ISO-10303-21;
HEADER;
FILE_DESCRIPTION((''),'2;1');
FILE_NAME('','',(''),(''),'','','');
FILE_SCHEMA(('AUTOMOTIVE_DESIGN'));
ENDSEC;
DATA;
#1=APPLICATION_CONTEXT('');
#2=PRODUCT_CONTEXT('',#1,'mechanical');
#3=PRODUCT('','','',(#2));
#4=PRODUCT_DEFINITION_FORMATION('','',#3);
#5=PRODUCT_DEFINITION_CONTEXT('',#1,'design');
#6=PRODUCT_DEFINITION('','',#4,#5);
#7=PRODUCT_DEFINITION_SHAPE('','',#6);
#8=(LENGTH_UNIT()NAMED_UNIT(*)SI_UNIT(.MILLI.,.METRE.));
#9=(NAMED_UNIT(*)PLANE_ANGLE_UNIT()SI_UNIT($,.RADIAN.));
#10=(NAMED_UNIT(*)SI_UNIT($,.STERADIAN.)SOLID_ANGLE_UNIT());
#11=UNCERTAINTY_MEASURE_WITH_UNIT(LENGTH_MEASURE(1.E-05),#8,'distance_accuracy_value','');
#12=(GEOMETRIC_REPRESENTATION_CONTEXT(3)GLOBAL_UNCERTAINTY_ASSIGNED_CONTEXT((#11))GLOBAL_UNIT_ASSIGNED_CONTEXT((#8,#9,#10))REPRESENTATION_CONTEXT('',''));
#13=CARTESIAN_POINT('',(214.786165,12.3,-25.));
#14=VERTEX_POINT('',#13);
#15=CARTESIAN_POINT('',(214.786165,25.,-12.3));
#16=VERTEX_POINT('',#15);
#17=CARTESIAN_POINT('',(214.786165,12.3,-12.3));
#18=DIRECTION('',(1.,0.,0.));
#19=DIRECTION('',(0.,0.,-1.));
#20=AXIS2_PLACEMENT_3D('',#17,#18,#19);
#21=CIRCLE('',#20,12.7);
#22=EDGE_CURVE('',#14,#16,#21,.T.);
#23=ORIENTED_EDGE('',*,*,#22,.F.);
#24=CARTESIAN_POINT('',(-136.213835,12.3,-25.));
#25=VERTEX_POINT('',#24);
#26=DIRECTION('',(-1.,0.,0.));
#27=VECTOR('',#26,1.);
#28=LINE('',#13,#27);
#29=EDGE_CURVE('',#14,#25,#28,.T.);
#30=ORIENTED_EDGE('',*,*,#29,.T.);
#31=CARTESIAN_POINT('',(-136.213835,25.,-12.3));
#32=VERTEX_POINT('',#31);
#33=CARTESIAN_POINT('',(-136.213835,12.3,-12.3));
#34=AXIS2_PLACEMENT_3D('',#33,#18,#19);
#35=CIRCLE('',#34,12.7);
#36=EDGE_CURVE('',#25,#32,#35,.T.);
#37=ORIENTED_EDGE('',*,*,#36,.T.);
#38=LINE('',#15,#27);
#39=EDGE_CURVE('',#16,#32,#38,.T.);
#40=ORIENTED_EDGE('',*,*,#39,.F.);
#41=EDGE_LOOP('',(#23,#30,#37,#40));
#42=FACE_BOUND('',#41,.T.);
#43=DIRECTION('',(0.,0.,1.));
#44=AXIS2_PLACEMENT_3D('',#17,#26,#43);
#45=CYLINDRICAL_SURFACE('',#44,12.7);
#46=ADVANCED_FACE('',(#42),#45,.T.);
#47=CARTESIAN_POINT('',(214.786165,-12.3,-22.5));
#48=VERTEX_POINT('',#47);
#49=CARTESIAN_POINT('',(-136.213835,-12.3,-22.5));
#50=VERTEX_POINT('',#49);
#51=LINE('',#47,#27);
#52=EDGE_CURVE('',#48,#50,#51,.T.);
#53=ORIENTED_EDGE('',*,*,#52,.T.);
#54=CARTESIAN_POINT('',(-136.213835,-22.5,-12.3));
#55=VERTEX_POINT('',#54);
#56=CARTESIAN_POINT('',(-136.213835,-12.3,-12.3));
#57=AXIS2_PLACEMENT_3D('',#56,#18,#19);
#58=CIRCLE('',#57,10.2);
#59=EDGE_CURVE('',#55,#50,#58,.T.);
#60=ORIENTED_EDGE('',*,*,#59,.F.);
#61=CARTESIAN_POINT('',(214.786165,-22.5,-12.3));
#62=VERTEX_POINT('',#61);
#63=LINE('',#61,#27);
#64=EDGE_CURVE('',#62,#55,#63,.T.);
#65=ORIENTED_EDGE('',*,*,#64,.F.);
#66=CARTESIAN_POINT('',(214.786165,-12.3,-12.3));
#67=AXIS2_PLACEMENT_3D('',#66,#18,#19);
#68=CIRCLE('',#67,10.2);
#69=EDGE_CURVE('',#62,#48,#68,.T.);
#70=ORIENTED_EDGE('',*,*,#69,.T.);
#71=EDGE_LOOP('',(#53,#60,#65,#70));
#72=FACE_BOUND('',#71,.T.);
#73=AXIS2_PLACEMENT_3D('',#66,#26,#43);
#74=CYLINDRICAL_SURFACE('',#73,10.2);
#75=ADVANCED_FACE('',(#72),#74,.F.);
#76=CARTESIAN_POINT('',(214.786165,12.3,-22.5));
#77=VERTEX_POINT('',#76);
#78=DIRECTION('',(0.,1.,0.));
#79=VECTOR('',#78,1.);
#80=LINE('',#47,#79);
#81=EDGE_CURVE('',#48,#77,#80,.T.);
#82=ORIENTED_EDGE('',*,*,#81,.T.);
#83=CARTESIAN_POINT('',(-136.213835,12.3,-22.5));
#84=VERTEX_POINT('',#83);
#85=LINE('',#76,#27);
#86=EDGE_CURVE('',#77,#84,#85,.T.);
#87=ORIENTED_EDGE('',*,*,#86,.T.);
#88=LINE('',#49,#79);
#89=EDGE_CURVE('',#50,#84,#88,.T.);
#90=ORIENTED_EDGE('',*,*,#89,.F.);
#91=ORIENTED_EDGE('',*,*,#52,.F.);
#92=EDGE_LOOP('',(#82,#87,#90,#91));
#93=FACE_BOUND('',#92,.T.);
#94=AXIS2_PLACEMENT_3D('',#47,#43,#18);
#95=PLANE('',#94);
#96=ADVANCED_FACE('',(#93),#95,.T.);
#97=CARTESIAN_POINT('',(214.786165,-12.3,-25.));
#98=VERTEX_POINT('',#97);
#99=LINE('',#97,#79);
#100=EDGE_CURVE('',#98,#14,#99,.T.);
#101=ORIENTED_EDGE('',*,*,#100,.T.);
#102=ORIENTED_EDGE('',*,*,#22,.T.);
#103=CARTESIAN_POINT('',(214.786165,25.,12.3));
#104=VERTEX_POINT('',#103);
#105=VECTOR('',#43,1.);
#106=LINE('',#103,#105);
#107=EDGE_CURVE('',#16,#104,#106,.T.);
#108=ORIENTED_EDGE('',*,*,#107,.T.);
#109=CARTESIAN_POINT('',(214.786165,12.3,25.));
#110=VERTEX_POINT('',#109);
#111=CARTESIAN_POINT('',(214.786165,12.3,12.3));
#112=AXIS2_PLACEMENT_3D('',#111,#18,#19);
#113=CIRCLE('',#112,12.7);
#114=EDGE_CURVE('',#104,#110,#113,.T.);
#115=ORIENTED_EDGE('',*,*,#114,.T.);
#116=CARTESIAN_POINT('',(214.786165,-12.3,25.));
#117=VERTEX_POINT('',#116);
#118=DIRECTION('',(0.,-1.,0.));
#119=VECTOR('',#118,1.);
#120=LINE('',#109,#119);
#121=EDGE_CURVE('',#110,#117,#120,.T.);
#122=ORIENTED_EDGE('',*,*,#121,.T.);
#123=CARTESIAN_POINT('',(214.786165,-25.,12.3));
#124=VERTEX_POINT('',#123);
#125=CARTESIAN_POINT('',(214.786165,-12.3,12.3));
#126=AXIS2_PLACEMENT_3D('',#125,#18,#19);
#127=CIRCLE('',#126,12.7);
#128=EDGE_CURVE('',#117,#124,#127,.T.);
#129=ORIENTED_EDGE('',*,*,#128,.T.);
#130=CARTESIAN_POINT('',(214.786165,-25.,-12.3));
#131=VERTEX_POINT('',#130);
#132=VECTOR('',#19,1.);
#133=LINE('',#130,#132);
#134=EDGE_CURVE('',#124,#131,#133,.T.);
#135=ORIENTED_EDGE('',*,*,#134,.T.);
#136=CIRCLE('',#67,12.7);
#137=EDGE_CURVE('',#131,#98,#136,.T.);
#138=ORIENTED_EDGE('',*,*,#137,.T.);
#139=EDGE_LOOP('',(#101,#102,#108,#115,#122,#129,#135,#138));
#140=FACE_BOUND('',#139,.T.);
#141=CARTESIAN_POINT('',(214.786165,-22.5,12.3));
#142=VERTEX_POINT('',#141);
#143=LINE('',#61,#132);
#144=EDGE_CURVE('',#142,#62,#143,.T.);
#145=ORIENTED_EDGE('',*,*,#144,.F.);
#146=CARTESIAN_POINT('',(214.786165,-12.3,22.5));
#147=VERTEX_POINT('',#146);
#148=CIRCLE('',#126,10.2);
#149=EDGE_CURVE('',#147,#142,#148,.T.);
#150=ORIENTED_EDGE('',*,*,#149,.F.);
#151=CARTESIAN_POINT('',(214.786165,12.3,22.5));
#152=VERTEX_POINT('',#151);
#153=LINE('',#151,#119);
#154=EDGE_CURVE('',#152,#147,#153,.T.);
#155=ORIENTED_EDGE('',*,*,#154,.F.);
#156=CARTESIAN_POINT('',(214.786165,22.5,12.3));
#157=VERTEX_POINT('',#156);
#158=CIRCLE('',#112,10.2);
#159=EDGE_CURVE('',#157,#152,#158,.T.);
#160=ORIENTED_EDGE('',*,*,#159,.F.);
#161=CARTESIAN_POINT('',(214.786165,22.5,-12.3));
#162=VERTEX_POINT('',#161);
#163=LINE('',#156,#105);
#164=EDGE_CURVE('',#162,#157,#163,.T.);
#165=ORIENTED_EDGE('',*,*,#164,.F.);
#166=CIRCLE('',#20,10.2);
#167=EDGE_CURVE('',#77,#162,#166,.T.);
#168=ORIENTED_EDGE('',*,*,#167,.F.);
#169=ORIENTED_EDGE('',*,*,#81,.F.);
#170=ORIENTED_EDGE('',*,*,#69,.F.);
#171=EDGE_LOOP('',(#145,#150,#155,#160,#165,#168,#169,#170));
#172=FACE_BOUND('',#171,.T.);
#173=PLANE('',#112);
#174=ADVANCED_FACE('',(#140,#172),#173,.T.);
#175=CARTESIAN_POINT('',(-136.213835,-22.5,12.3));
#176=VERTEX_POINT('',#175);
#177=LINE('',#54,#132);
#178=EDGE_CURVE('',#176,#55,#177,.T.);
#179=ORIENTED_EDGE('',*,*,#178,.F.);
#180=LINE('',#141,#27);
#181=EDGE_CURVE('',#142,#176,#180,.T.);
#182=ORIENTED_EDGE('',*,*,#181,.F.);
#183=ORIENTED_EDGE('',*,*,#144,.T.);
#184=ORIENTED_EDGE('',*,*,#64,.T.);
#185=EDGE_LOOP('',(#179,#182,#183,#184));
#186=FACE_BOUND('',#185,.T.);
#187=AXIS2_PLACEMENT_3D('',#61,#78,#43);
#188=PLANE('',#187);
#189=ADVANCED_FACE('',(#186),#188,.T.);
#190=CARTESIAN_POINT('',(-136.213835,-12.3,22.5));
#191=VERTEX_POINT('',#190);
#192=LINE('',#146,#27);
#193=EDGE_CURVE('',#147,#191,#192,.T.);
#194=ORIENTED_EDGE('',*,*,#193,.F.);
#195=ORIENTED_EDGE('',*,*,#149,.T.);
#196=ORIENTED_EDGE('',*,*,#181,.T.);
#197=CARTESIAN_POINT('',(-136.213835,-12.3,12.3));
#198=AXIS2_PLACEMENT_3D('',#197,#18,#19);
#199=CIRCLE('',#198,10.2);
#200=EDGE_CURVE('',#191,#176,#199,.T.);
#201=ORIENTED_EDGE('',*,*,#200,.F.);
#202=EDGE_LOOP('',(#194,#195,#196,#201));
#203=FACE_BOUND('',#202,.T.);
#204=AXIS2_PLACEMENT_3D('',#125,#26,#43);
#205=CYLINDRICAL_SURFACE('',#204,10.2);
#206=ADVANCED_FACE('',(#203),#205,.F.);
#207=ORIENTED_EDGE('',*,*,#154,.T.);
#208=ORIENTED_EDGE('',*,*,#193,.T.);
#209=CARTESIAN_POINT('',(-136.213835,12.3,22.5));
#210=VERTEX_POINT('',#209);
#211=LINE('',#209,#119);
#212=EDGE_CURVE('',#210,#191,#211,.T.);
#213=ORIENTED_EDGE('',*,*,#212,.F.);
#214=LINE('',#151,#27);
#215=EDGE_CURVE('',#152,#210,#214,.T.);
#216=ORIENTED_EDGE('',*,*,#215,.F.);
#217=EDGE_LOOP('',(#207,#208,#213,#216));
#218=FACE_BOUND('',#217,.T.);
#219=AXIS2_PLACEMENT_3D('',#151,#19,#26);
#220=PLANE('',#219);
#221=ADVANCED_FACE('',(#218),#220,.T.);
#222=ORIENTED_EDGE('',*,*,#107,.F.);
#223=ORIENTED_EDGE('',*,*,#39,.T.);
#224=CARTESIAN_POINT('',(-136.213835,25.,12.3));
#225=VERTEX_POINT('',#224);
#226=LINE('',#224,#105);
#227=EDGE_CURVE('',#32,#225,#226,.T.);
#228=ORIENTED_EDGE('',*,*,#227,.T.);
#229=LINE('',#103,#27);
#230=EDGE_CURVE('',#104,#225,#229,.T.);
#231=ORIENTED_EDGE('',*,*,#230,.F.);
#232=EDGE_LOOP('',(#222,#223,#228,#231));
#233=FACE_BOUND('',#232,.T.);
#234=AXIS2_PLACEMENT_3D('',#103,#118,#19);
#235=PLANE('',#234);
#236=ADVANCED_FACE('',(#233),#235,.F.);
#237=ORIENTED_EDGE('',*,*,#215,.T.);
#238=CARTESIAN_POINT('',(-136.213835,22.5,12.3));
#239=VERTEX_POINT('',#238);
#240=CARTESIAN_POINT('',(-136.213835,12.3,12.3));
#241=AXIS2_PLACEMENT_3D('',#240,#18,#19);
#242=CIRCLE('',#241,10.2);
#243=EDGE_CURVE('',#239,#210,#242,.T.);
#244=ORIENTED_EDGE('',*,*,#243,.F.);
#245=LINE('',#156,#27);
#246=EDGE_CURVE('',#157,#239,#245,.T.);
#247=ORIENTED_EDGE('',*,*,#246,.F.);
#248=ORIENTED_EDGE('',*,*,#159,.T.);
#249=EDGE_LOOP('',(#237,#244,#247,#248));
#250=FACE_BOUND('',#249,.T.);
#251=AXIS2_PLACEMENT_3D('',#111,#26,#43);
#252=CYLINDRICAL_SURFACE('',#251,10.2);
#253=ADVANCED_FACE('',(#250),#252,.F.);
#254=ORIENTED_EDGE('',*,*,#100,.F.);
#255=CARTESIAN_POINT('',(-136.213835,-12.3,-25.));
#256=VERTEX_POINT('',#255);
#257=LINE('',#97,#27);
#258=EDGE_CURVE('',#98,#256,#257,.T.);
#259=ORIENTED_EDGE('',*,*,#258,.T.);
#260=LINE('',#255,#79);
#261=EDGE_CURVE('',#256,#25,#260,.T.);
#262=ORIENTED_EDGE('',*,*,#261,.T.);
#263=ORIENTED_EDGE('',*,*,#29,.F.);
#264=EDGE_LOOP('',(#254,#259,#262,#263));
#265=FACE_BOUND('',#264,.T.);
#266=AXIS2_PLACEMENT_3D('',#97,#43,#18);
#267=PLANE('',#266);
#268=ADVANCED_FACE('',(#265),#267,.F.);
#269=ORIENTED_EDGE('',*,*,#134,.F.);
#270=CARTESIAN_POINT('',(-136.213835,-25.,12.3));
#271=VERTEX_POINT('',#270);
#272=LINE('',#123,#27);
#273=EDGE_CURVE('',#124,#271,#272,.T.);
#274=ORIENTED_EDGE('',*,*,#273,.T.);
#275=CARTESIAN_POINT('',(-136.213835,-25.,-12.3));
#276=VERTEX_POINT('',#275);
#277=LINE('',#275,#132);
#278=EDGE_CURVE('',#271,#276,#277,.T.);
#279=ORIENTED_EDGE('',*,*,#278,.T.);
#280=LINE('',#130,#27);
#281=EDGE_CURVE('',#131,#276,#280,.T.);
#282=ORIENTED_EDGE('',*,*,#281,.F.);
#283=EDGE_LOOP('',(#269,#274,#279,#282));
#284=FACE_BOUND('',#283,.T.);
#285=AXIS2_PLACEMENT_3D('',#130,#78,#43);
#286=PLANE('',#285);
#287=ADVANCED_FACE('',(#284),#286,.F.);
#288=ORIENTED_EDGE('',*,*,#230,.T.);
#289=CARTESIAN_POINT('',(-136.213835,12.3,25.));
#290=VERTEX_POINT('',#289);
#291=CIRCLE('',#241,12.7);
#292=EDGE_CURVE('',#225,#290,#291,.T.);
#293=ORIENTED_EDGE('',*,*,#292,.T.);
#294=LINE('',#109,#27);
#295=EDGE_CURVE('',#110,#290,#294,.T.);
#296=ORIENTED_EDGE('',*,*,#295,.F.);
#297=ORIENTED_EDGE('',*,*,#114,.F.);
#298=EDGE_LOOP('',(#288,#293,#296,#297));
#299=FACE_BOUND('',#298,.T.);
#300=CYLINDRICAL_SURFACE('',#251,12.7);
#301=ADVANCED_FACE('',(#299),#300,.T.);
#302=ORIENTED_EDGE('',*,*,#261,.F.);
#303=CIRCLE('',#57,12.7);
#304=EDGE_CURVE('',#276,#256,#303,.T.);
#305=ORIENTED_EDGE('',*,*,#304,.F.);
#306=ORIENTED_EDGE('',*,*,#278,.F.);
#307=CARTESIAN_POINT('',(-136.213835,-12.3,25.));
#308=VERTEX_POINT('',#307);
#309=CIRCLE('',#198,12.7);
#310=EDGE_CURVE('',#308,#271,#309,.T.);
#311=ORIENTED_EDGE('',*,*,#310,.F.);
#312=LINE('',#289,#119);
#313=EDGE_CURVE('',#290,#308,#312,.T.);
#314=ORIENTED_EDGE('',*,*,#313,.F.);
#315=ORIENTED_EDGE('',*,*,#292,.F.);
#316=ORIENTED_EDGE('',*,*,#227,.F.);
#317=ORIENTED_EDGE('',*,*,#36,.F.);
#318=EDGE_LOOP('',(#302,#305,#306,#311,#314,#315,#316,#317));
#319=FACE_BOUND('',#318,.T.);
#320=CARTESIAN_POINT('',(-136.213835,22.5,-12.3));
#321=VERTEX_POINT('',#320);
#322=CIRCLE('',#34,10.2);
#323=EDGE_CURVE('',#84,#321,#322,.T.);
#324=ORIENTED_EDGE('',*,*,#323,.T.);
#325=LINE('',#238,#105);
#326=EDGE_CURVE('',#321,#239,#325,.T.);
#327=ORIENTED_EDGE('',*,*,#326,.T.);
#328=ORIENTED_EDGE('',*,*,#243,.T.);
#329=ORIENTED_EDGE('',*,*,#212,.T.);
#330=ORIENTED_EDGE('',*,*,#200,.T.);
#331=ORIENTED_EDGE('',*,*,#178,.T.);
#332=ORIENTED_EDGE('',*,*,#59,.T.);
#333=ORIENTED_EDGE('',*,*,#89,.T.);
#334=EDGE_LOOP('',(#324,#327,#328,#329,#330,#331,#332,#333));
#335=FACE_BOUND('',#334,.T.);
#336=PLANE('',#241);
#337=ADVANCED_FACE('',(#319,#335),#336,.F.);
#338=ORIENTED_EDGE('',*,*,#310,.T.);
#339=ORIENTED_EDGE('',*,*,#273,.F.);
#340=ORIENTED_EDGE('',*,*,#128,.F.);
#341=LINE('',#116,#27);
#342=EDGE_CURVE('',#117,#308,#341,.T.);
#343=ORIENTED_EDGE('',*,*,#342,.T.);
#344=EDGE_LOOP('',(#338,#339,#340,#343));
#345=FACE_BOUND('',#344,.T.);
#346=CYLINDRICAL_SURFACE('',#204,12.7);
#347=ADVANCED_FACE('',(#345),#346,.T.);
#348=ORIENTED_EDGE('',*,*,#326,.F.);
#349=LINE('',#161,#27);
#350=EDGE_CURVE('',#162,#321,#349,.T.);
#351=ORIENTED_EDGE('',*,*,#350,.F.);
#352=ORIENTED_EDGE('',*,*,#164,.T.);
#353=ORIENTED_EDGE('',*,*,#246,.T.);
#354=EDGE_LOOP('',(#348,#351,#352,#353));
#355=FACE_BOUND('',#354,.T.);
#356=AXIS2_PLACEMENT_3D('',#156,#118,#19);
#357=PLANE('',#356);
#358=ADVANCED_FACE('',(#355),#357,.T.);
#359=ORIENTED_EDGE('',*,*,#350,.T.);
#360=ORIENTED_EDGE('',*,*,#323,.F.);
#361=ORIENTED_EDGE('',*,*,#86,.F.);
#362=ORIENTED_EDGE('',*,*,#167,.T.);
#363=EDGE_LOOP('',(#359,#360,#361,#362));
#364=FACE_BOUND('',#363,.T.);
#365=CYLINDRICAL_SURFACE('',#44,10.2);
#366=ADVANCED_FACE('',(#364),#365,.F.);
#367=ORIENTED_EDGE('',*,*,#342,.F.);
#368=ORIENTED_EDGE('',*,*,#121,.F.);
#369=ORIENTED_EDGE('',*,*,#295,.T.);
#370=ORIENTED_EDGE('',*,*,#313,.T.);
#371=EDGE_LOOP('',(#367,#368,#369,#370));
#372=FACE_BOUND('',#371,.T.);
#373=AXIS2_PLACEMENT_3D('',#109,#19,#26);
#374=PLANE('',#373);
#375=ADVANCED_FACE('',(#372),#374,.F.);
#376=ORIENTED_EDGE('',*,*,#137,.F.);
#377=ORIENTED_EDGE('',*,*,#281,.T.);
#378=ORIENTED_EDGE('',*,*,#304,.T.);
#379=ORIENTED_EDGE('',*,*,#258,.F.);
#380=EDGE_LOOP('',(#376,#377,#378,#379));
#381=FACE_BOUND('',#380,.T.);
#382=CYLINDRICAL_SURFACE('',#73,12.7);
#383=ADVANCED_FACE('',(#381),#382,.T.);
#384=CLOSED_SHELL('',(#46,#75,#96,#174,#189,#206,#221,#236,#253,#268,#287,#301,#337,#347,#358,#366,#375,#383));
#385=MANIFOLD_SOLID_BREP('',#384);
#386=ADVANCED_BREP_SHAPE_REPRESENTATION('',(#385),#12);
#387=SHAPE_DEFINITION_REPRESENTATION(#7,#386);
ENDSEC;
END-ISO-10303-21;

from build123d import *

# Parameters (mm, degrees)
MIEMBRO_ESTRUCTURAL1_DEPTH = 351


with BuildPart() as part:
    # Sketch11 → Miembro estructural1 (new body)
    with BuildSketch(Plane.YZ.offset(-136.213834658)):
        with BuildLine():
            Line((-12.3, -25), (12.3, -25))
            ThreePointArc((12.3, -25), (21.280256121, -21.280256121), (25, -12.3))
            Line((25, -12.3), (25, 12.3))
            ThreePointArc((25, 12.3), (21.280256121, 21.280256121), (12.3, 25))
            Line((12.3, 25), (-12.3, 25))
            ThreePointArc((-12.3, 25), (-21.280256121, 21.280256121), (-25, 12.3))
            Line((-25, 12.3), (-25, -12.3))
            ThreePointArc((-25, -12.3), (-21.280256121, -21.280256121), (-12.3, -25))
        make_face()
        with BuildLine():
            Line((-12.3, -22.5), (12.3, -22.5))
            ThreePointArc((12.3, -22.5), (19.512489168, -19.512489168), (22.5, -12.3))
            Line((22.5, -12.3), (22.5, 12.3))
            ThreePointArc((22.5, 12.3), (19.512489168, 19.512489168), (12.3, 22.5))
            Line((12.3, 22.5), (-12.3, 22.5))
            ThreePointArc((-12.3, 22.5), (-19.512489168, 19.512489168), (-22.5, 12.3))
            Line((-22.5, 12.3), (-22.5, -12.3))
            ThreePointArc((-22.5, -12.3), (-19.512489168, -19.512489168), (-12.3, -22.5))
        make_face(mode=Mode.SUBTRACT)
    extrude(amount=MIEMBRO_ESTRUCTURAL1_DEPTH)


solid = part.part
